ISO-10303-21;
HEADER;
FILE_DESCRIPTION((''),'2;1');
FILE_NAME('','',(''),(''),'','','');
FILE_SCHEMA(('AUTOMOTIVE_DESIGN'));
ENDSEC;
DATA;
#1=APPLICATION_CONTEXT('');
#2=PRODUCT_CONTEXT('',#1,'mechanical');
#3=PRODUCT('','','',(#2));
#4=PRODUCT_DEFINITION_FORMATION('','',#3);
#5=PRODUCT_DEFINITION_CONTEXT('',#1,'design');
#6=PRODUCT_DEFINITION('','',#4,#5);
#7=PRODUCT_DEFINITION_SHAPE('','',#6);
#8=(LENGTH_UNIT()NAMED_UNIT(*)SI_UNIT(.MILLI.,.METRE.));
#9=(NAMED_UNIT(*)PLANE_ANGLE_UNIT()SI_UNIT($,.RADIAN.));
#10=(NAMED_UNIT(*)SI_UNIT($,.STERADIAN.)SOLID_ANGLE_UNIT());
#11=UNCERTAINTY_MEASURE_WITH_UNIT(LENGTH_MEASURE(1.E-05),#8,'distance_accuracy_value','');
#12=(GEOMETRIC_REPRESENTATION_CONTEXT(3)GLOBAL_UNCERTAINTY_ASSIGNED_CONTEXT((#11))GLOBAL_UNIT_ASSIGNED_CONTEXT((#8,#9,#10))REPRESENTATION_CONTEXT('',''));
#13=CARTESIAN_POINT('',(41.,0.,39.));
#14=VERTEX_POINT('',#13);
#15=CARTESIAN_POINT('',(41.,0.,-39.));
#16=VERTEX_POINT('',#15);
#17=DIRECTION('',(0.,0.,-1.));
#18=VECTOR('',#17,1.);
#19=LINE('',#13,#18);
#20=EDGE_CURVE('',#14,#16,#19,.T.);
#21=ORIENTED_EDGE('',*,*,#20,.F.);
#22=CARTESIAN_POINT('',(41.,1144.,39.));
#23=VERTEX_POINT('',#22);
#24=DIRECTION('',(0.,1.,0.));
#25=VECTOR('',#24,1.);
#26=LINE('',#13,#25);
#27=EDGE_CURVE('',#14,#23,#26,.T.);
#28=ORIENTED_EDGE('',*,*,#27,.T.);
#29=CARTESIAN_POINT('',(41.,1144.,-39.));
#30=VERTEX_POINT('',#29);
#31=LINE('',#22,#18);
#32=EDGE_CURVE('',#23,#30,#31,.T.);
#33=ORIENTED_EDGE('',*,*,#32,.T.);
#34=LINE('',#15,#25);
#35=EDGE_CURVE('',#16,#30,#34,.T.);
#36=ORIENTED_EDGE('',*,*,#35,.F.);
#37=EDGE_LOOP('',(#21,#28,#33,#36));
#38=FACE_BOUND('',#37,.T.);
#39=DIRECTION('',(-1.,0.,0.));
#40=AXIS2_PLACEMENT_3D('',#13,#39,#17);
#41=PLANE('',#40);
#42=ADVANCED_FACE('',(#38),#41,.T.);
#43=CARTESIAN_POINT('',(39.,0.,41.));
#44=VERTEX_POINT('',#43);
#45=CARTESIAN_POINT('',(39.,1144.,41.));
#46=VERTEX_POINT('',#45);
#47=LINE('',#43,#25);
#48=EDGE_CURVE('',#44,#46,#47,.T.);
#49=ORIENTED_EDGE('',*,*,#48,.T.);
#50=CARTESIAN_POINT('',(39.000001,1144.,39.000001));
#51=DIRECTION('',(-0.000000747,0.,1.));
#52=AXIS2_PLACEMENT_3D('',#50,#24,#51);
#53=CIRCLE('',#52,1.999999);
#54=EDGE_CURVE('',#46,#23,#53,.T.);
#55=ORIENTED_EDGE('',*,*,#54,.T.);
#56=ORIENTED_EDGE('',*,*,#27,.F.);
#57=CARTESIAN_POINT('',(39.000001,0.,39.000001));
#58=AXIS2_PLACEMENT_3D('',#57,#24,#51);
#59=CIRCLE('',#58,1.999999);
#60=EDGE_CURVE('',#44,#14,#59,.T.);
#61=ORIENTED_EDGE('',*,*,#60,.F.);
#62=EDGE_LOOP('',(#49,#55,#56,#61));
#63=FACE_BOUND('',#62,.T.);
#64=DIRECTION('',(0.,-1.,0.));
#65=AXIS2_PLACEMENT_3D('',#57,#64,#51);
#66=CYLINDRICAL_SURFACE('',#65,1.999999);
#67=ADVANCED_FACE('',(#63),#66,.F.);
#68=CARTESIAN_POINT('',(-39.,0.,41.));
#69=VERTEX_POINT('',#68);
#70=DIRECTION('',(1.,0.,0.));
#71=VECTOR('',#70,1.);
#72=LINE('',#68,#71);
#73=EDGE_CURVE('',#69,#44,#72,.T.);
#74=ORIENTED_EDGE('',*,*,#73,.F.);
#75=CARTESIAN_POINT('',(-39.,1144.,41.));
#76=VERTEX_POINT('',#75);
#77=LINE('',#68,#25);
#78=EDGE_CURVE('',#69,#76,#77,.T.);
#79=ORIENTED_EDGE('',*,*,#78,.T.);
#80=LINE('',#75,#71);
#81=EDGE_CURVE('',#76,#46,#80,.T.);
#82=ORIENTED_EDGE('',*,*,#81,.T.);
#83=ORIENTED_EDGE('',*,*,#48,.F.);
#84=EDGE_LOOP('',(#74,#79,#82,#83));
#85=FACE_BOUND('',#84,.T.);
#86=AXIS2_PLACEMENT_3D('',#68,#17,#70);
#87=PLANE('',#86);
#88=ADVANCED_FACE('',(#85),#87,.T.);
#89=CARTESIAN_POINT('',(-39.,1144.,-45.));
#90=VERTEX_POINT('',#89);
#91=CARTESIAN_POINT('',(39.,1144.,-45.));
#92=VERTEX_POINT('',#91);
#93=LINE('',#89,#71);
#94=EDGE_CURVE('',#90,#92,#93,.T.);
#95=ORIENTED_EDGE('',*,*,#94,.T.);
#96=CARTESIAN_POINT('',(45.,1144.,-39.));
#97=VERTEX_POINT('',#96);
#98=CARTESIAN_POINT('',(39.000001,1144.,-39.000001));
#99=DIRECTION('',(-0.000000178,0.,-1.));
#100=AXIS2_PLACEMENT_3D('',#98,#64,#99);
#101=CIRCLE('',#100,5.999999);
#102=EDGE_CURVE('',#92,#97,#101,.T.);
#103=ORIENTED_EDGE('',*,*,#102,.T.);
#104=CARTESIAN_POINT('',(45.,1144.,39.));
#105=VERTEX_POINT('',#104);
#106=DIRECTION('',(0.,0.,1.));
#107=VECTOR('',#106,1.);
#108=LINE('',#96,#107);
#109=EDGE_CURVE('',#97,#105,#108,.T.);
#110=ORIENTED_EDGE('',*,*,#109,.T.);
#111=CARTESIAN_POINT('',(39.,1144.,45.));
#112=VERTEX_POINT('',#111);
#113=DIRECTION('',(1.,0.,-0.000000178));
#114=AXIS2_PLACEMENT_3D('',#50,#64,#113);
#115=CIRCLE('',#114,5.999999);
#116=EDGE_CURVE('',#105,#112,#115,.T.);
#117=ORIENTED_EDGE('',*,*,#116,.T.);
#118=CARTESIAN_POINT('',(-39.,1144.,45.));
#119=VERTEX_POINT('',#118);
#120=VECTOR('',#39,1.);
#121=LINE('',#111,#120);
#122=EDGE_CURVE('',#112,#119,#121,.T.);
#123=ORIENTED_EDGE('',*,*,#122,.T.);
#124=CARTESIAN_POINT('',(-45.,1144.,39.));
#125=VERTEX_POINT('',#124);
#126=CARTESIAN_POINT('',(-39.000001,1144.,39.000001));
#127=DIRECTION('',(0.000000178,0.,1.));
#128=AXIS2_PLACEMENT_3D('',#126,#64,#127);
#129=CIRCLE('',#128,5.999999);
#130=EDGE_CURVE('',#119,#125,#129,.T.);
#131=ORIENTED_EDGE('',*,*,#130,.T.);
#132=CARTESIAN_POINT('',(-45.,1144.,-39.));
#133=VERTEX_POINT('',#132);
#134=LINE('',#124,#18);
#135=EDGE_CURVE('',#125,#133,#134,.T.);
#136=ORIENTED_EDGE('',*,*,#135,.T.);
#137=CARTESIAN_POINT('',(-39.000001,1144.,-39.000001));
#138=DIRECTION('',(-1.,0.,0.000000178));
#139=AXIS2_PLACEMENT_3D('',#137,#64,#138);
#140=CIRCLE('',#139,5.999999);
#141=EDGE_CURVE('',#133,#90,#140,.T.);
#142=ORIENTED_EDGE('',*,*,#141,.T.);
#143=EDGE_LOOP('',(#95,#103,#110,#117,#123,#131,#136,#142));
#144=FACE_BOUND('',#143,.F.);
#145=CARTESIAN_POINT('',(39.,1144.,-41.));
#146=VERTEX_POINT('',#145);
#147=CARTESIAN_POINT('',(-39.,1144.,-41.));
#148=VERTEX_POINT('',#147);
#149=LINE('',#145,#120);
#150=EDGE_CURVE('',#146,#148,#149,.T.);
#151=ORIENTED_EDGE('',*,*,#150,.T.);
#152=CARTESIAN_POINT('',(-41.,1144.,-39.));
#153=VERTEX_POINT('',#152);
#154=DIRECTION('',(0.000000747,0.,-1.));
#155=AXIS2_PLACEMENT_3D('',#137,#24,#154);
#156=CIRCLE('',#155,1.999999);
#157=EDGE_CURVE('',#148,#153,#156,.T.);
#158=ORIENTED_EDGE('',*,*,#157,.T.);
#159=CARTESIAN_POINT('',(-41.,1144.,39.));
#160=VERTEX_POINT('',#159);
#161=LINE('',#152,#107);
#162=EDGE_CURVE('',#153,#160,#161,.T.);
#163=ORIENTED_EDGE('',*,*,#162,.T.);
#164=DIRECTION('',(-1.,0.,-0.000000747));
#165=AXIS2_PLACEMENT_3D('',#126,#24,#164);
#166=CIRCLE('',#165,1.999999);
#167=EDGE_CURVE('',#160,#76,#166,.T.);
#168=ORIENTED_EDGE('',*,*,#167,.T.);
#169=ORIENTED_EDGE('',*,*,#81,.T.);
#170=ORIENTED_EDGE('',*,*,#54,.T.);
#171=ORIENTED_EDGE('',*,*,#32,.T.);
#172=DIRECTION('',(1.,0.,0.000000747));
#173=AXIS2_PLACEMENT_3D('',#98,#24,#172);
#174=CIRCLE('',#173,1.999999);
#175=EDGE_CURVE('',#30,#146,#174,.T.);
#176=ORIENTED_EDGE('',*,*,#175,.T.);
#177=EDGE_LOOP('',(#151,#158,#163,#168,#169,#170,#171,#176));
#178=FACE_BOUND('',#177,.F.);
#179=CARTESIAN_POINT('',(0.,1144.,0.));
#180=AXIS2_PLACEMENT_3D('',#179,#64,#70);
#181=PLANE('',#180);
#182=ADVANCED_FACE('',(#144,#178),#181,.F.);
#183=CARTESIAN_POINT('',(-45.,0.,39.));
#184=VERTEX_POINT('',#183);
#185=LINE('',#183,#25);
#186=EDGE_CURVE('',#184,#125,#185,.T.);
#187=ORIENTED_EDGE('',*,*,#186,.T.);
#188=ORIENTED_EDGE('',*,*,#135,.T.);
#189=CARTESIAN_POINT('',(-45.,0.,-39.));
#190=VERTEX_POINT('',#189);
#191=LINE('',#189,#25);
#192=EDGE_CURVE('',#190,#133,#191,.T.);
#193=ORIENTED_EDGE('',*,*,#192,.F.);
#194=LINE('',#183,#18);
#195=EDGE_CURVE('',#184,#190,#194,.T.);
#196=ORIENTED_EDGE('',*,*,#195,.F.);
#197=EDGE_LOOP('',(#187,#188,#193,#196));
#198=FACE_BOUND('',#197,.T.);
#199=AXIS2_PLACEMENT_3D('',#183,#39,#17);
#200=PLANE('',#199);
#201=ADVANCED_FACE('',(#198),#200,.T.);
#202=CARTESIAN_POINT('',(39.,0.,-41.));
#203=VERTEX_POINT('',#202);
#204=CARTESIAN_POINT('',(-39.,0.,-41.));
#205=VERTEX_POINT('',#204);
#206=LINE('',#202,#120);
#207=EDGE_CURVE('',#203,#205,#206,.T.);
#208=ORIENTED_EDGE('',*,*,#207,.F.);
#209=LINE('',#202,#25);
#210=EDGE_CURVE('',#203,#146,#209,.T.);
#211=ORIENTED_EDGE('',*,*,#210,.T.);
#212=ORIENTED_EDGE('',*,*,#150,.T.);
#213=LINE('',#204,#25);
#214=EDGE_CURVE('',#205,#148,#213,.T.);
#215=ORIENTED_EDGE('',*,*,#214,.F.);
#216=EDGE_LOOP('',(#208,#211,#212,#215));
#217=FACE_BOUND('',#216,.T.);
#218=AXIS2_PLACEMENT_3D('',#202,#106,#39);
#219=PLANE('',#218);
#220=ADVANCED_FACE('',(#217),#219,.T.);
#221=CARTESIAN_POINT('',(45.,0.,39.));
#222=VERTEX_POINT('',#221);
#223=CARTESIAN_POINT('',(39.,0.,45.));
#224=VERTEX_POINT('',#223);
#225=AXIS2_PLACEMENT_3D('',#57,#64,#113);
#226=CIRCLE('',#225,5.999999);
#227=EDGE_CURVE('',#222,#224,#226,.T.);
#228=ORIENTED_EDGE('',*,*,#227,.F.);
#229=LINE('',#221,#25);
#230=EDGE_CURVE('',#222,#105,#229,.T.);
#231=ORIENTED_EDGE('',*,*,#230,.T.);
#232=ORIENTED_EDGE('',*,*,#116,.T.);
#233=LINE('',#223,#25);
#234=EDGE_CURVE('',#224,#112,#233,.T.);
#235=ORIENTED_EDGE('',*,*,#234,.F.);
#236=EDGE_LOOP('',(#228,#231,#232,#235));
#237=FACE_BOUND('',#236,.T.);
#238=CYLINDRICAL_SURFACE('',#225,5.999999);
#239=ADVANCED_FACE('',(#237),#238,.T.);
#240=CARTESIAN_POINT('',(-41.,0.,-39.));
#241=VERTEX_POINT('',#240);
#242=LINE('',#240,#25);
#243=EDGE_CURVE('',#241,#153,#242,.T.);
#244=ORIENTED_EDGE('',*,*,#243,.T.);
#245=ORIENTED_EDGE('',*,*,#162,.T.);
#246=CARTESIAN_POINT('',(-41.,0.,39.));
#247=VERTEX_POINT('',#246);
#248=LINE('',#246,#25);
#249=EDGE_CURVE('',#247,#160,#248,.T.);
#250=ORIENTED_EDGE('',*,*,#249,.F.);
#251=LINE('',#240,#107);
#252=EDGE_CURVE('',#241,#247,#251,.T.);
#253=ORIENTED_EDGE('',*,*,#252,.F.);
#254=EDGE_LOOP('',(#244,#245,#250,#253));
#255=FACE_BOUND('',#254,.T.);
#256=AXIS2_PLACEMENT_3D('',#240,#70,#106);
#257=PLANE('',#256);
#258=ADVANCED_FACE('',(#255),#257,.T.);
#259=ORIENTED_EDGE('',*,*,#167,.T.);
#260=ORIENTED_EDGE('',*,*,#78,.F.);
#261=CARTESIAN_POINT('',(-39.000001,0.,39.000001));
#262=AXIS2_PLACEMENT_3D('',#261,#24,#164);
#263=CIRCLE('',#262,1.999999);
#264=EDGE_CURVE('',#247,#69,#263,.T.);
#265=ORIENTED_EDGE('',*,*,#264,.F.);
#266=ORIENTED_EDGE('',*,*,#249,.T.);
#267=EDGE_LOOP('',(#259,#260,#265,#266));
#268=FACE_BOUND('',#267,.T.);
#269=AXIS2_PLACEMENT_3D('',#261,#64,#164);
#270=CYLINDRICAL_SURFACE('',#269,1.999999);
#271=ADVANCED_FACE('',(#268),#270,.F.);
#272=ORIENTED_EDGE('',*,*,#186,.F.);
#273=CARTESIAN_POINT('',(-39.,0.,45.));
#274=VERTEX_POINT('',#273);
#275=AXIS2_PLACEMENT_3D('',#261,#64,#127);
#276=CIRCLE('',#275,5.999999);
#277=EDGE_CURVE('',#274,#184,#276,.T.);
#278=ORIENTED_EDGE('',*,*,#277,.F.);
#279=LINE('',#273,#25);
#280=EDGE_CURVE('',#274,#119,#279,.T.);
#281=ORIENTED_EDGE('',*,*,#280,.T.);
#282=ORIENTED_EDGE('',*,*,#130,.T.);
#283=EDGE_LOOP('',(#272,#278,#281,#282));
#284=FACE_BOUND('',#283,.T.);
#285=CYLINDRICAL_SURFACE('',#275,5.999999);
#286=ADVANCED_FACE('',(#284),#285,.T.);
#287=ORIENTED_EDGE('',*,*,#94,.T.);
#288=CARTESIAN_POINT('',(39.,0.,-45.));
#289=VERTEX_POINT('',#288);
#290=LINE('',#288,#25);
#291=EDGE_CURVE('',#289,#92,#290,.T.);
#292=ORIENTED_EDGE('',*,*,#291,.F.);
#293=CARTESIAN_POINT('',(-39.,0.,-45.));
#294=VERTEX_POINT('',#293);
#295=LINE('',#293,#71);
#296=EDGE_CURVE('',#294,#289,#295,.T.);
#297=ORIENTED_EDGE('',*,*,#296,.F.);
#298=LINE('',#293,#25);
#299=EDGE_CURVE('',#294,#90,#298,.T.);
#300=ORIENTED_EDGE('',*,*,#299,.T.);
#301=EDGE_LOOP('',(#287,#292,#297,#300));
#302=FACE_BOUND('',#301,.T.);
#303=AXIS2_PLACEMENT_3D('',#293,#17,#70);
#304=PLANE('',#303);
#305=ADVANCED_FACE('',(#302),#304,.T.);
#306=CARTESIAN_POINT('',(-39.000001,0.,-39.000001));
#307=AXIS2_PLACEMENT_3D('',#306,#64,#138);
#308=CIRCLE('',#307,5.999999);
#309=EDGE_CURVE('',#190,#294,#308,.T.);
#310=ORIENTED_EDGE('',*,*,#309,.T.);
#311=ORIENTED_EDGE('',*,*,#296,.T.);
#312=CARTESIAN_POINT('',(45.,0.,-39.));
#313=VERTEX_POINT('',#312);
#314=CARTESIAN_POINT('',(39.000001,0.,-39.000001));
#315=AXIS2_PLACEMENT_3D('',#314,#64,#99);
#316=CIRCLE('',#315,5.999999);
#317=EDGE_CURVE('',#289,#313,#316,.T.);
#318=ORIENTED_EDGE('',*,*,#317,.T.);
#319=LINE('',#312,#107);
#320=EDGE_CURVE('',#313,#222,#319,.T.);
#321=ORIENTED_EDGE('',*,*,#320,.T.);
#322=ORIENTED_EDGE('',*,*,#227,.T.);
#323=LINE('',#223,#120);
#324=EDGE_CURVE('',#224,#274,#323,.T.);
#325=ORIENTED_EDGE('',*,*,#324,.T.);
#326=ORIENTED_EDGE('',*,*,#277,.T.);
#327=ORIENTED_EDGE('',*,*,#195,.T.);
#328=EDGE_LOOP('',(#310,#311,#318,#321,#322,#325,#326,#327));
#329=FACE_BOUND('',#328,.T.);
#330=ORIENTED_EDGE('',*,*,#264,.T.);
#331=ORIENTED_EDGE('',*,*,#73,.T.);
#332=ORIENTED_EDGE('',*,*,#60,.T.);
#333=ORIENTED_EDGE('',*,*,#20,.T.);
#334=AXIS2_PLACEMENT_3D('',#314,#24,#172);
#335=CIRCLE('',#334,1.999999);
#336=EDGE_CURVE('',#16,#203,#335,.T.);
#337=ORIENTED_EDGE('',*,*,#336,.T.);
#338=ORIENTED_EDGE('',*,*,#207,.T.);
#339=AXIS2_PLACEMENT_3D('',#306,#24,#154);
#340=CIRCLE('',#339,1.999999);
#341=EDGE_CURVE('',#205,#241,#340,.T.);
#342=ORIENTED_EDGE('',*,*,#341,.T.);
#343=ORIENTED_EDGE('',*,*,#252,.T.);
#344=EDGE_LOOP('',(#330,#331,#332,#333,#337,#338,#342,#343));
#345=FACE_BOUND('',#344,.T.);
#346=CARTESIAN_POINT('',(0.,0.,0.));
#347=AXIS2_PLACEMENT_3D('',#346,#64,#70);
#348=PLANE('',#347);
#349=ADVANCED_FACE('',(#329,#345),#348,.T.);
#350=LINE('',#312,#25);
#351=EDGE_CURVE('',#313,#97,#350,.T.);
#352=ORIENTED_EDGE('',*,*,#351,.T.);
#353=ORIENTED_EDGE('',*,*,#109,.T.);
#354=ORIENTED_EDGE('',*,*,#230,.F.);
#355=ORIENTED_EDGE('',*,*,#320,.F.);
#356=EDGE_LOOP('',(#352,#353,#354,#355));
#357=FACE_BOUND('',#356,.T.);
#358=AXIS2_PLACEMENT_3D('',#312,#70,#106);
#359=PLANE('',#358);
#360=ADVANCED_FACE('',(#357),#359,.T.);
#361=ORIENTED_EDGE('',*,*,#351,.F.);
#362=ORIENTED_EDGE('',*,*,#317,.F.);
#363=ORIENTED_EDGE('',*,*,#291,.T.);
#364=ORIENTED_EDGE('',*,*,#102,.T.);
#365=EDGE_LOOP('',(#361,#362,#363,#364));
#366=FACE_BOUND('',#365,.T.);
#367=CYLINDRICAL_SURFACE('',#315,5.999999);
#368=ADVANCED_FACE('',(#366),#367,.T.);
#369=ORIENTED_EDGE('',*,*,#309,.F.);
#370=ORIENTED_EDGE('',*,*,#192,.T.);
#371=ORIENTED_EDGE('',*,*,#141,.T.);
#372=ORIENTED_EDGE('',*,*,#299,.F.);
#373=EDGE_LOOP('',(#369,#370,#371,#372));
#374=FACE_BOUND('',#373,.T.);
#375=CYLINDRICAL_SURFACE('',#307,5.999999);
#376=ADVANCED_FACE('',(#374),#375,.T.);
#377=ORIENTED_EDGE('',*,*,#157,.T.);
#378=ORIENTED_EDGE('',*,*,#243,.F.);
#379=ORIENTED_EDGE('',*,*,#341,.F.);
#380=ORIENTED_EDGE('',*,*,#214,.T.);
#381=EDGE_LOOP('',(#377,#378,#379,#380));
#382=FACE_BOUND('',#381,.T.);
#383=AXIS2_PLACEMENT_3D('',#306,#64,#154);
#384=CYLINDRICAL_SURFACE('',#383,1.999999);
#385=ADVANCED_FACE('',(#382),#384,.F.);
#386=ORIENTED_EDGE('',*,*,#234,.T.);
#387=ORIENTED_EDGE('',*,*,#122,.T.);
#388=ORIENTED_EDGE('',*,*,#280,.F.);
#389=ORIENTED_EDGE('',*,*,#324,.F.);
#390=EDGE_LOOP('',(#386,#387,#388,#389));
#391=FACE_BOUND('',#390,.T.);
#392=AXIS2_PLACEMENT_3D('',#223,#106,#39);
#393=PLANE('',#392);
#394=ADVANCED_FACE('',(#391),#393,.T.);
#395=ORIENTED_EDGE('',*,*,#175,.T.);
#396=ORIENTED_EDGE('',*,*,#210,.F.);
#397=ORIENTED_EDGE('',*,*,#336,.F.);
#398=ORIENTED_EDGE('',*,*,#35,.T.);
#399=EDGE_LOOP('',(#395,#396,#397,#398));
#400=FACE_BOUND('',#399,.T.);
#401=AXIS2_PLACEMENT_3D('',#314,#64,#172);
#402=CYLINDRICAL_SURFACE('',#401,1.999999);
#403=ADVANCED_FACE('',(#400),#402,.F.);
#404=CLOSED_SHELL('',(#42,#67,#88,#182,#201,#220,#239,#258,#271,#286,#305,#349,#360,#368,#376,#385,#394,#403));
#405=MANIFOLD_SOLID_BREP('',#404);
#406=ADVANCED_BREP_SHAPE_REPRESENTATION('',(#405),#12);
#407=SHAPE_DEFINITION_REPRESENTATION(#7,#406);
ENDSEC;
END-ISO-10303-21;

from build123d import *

# Parameters (mm, degrees)
F1_DEPTH = 1144


with BuildPart() as f1:
    # F0 (on Front) → F1 (new body)
    with BuildSketch(Plane.XZ):
        with BuildLine():
            ThreePointArc((45, 39), (43.242641, 43.242641), (39, 45))
            Line((39, 45), (-39, 45))
            ThreePointArc((-39, 45), (-43.242641, 43.242641), (-45, 39))
            Line((-45, 39), (-45, -39))
            ThreePointArc((-45, -39), (-43.242641, -43.242641), (-39, -45))
            Line((-39, -45), (39, -45))
            ThreePointArc((39, -45), (43.242641, -43.242641), (45, -39))
            Line((45, -39), (45, 39))
        make_face()
        with BuildLine():
            ThreePointArc((-41, 39), (-40.414214, 40.414214), (-39, 41))
            Line((-39, 41), (39, 41))
            ThreePointArc((39, 41), (40.414214, 40.414214), (41, 39))
            Line((41, 39), (41, -39))
            ThreePointArc((41, -39), (40.414214, -40.414214), (39, -41))
            Line((39, -41), (-39, -41))
            ThreePointArc((-39, -41), (-40.414214, -40.414214), (-41, -39))
            Line((-41, -39), (-41, 39))
        make_face(mode=Mode.SUBTRACT)
    extrude(amount=-F1_DEPTH)


solid = f1.part
